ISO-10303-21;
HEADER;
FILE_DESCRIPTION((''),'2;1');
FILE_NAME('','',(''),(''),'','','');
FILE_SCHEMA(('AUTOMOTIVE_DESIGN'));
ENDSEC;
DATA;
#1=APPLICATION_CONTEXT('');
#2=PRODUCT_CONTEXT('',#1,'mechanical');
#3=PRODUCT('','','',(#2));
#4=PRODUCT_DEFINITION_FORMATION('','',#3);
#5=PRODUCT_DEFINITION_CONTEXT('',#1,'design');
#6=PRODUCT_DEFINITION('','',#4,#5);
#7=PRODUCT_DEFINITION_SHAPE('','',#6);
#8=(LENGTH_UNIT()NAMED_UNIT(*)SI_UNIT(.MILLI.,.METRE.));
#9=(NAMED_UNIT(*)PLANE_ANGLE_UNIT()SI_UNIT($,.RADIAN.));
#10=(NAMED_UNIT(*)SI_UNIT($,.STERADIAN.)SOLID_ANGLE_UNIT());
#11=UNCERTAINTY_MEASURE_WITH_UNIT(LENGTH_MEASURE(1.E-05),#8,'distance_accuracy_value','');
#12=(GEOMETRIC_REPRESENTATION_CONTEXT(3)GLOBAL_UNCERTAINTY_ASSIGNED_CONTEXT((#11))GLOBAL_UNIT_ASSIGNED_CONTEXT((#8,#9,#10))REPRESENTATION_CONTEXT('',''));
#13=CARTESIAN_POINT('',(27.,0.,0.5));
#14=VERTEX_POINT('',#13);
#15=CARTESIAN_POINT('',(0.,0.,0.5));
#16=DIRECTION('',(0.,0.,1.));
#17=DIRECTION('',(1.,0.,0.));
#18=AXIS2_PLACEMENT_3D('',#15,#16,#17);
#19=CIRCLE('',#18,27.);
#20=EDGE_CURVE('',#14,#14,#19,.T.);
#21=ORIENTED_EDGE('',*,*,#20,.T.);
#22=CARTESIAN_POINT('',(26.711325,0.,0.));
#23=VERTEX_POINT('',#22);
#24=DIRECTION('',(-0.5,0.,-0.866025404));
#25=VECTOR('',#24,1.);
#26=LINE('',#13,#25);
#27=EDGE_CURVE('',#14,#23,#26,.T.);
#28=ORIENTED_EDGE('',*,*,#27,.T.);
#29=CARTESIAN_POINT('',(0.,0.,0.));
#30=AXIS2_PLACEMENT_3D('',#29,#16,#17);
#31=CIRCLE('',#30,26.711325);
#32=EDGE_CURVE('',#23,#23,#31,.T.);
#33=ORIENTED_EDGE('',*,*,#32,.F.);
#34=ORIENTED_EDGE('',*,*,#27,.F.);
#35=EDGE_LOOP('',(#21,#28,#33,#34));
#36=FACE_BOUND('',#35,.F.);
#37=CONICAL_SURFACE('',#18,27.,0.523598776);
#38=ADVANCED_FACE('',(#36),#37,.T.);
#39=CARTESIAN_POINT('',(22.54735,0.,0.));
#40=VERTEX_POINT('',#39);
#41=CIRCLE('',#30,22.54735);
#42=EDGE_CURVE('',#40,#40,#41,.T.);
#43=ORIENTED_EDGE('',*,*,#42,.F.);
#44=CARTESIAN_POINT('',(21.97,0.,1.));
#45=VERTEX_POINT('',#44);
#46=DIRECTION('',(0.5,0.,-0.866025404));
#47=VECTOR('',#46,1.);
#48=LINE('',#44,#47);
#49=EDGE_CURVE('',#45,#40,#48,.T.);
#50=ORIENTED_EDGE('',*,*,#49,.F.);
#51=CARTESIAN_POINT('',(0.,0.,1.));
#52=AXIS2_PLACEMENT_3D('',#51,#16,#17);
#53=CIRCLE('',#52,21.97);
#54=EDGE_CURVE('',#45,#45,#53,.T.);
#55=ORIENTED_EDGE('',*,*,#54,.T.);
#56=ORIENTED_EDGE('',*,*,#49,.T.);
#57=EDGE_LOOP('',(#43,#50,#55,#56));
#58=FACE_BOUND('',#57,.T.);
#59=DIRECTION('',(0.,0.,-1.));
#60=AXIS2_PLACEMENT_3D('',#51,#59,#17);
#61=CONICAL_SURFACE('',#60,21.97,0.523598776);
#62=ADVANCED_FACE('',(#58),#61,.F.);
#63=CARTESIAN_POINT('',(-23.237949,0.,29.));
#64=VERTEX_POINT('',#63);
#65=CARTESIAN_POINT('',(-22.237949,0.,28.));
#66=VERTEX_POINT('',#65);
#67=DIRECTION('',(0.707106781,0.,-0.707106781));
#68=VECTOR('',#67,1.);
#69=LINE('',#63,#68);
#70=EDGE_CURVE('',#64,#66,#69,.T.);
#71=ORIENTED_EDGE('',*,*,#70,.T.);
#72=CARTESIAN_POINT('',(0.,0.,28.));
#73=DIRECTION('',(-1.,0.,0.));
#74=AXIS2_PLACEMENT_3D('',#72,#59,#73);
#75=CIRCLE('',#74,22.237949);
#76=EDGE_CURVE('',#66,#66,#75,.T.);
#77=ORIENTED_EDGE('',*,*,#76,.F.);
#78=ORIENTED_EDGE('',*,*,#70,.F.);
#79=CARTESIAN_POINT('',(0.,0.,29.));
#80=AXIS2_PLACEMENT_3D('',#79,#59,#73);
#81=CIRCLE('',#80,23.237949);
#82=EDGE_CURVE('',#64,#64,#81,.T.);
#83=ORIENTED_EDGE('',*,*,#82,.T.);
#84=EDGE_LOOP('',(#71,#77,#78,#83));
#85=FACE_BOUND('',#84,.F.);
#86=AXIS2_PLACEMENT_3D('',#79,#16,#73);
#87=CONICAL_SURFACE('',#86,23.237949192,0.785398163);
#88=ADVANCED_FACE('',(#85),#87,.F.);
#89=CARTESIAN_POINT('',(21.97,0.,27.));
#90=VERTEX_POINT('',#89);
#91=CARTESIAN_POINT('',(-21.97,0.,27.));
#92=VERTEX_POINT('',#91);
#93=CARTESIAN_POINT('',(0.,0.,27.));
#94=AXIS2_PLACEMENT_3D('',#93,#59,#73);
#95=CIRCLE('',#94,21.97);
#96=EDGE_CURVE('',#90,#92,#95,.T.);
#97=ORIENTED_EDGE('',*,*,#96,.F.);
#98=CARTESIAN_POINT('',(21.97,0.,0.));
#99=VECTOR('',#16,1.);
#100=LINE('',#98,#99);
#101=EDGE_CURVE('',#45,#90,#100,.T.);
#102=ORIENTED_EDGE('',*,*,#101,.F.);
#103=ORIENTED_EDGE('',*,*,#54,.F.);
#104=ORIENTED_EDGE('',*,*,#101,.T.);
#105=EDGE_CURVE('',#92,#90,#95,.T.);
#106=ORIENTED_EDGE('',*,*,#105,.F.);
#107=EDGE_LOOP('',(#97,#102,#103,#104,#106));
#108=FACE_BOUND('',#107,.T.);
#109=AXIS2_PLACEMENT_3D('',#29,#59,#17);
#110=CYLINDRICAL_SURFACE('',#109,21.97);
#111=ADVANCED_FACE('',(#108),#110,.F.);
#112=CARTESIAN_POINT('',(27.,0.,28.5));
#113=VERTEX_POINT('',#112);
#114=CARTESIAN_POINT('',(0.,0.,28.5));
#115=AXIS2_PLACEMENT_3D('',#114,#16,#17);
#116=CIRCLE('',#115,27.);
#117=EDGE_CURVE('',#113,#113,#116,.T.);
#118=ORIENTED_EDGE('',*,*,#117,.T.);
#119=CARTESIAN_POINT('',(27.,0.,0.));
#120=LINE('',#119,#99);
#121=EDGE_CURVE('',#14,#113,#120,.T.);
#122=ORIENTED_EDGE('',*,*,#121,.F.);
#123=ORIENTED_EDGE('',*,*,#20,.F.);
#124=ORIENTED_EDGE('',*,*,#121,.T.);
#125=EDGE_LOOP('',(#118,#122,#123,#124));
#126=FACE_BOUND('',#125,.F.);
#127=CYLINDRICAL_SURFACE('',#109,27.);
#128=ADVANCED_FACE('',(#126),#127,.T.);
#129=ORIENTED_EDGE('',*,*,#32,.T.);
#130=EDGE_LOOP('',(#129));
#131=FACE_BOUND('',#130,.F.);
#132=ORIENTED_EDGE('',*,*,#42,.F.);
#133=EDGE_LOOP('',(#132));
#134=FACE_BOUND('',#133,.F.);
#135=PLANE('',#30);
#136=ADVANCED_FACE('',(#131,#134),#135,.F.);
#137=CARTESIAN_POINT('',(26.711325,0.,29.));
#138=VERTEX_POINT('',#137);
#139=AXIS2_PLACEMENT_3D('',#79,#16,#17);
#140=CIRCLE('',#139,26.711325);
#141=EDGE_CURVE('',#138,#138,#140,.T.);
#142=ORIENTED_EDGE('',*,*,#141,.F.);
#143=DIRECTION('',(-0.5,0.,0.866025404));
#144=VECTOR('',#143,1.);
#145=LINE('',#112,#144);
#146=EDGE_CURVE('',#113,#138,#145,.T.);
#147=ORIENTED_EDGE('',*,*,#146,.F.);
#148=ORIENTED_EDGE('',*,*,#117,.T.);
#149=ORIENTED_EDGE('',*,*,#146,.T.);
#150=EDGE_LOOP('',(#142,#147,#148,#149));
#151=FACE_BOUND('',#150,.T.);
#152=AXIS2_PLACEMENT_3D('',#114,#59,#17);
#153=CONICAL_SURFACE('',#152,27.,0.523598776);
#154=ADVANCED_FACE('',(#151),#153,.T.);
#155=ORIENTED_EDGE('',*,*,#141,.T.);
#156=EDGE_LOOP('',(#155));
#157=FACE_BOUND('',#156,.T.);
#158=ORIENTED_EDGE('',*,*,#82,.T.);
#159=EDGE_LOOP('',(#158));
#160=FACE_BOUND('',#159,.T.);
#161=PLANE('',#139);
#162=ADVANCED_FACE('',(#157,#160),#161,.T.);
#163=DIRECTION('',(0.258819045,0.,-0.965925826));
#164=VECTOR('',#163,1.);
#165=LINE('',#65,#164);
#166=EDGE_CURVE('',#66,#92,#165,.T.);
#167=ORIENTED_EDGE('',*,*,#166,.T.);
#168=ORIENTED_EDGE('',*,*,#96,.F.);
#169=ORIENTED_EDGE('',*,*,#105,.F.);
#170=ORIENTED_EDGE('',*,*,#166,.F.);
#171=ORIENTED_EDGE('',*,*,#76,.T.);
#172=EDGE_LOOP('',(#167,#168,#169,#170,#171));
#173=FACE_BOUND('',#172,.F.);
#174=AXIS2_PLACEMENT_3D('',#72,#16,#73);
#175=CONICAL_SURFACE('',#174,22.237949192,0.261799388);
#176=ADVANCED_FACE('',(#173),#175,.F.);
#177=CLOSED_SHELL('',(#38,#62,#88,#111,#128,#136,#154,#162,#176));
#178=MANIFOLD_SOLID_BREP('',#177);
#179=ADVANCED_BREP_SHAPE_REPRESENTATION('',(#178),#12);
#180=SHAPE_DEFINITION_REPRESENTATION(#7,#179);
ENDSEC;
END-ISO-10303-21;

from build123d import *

# Parameters (mm, degrees)
F0_R     = 27
F0_R_2   = 21.97
F1_DEPTH = 29
F2_SIZE2 = 0.2886751346
F2_SIZE  = 0.5
F3_SIZE2 = 0.5773502692
F3_SIZE  = 1


with BuildPart() as f1:
    # F0 (on Top) → F1 (new body)
    with BuildSketch(Plane.XY):
        Circle(F0_R)
        Circle(F0_R_2, mode=Mode.SUBTRACT)
    extrude(amount=F1_DEPTH)

    # F2
    f2_edges = [f1.edges().sort_by_distance(p)[0] for p in [
        (-27, 0, 29),
        (-27, 0, 0),
    ]]
    f2_side = f1.faces().sort_by_distance((-27, 0, 14.5))[0]
    chamfer(f2_edges, length=F2_SIZE, length2=F2_SIZE2, reference=f2_side)

    # F3
    f3_edges = [f1.edges().sort_by_distance(p)[0] for p in [
        (-21.97, 0, 0),
    ]]
    f3_side = f1.faces().sort_by_distance((-21.97, 0, 14.5))[0]
    chamfer(f3_edges, length=F3_SIZE, length2=F3_SIZE2, reference=f3_side)

    # F4 (on Front) → F5 (revolve, cut)
    with BuildSketch(Plane.XZ):
        Polygon((-22.2379491924, 28), (-21.97, 27), (-21.97, 29), (-23.2379491924, 29), align=None)
    revolve(axis=Axis((0, 0, 15.0005389005), (0, 0, -1)), mode=Mode.SUBTRACT)


solid = f1.part
